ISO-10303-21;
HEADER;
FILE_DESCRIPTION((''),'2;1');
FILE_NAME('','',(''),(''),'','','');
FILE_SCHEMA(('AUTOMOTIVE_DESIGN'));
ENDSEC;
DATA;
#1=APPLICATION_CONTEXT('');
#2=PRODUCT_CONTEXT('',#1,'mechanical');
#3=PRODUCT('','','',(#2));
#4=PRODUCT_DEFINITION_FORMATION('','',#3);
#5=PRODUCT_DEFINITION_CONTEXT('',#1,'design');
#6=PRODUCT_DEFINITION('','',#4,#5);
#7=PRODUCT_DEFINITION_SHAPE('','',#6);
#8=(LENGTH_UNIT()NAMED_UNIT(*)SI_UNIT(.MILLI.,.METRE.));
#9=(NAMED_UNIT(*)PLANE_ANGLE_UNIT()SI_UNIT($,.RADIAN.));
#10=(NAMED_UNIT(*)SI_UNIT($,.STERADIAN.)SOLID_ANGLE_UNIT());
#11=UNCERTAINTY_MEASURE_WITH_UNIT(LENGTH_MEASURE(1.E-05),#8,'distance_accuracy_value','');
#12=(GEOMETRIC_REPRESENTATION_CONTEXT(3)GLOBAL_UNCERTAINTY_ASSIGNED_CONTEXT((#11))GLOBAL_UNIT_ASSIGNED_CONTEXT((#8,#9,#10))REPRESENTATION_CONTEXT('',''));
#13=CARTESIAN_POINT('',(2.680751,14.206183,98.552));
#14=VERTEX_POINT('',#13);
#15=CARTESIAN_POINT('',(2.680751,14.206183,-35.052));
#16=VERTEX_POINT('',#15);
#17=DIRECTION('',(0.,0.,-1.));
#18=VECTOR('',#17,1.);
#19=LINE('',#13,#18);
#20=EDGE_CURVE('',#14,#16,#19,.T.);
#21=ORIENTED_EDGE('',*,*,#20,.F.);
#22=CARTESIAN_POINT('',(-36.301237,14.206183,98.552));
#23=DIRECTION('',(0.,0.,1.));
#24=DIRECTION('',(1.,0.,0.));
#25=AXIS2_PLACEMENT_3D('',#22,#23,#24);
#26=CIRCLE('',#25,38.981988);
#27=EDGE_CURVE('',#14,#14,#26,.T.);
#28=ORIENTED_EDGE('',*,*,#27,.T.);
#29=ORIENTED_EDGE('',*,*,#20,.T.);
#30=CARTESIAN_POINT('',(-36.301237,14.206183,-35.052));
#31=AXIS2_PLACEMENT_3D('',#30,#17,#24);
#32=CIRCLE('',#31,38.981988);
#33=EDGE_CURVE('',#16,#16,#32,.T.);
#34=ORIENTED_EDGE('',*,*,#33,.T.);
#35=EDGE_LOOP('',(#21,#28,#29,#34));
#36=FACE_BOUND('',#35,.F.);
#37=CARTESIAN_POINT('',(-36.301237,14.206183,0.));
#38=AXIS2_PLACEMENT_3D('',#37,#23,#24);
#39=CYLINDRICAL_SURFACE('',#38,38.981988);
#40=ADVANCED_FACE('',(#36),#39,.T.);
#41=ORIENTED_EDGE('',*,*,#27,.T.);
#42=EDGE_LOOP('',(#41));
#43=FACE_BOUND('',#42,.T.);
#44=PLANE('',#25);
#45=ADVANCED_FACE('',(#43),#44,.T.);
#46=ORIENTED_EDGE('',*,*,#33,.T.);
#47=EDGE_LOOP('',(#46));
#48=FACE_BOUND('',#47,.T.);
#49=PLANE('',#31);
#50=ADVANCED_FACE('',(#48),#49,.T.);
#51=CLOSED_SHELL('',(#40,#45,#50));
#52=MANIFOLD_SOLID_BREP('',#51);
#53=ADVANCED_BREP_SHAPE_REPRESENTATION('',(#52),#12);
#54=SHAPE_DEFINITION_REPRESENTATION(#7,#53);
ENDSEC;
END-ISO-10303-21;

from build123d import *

# Parameters (mm, degrees)
F0_R      = 38.981988
F1_DEPTH  = 98.552
F1_FACE_R = 38.981988
F2_DEPTH  = 35.052


with BuildPart() as f1:
    # F0 (on Top) → F1 (new body)
    with BuildSketch(Plane.XY):
        with Locations((-36.301237, 14.206183)):
            Circle(F0_R)
    extrude(amount=F1_DEPTH)

    # F1_face (on face) → F2 (join)
    with BuildSketch(Plane(origin=(-36.301237, 14.206183, 0), x_dir=(1, 0, 0), z_dir=(0, 0, -1))):
        Circle(F1_FACE_R)
    extrude(amount=F2_DEPTH)


solid = f1.part
